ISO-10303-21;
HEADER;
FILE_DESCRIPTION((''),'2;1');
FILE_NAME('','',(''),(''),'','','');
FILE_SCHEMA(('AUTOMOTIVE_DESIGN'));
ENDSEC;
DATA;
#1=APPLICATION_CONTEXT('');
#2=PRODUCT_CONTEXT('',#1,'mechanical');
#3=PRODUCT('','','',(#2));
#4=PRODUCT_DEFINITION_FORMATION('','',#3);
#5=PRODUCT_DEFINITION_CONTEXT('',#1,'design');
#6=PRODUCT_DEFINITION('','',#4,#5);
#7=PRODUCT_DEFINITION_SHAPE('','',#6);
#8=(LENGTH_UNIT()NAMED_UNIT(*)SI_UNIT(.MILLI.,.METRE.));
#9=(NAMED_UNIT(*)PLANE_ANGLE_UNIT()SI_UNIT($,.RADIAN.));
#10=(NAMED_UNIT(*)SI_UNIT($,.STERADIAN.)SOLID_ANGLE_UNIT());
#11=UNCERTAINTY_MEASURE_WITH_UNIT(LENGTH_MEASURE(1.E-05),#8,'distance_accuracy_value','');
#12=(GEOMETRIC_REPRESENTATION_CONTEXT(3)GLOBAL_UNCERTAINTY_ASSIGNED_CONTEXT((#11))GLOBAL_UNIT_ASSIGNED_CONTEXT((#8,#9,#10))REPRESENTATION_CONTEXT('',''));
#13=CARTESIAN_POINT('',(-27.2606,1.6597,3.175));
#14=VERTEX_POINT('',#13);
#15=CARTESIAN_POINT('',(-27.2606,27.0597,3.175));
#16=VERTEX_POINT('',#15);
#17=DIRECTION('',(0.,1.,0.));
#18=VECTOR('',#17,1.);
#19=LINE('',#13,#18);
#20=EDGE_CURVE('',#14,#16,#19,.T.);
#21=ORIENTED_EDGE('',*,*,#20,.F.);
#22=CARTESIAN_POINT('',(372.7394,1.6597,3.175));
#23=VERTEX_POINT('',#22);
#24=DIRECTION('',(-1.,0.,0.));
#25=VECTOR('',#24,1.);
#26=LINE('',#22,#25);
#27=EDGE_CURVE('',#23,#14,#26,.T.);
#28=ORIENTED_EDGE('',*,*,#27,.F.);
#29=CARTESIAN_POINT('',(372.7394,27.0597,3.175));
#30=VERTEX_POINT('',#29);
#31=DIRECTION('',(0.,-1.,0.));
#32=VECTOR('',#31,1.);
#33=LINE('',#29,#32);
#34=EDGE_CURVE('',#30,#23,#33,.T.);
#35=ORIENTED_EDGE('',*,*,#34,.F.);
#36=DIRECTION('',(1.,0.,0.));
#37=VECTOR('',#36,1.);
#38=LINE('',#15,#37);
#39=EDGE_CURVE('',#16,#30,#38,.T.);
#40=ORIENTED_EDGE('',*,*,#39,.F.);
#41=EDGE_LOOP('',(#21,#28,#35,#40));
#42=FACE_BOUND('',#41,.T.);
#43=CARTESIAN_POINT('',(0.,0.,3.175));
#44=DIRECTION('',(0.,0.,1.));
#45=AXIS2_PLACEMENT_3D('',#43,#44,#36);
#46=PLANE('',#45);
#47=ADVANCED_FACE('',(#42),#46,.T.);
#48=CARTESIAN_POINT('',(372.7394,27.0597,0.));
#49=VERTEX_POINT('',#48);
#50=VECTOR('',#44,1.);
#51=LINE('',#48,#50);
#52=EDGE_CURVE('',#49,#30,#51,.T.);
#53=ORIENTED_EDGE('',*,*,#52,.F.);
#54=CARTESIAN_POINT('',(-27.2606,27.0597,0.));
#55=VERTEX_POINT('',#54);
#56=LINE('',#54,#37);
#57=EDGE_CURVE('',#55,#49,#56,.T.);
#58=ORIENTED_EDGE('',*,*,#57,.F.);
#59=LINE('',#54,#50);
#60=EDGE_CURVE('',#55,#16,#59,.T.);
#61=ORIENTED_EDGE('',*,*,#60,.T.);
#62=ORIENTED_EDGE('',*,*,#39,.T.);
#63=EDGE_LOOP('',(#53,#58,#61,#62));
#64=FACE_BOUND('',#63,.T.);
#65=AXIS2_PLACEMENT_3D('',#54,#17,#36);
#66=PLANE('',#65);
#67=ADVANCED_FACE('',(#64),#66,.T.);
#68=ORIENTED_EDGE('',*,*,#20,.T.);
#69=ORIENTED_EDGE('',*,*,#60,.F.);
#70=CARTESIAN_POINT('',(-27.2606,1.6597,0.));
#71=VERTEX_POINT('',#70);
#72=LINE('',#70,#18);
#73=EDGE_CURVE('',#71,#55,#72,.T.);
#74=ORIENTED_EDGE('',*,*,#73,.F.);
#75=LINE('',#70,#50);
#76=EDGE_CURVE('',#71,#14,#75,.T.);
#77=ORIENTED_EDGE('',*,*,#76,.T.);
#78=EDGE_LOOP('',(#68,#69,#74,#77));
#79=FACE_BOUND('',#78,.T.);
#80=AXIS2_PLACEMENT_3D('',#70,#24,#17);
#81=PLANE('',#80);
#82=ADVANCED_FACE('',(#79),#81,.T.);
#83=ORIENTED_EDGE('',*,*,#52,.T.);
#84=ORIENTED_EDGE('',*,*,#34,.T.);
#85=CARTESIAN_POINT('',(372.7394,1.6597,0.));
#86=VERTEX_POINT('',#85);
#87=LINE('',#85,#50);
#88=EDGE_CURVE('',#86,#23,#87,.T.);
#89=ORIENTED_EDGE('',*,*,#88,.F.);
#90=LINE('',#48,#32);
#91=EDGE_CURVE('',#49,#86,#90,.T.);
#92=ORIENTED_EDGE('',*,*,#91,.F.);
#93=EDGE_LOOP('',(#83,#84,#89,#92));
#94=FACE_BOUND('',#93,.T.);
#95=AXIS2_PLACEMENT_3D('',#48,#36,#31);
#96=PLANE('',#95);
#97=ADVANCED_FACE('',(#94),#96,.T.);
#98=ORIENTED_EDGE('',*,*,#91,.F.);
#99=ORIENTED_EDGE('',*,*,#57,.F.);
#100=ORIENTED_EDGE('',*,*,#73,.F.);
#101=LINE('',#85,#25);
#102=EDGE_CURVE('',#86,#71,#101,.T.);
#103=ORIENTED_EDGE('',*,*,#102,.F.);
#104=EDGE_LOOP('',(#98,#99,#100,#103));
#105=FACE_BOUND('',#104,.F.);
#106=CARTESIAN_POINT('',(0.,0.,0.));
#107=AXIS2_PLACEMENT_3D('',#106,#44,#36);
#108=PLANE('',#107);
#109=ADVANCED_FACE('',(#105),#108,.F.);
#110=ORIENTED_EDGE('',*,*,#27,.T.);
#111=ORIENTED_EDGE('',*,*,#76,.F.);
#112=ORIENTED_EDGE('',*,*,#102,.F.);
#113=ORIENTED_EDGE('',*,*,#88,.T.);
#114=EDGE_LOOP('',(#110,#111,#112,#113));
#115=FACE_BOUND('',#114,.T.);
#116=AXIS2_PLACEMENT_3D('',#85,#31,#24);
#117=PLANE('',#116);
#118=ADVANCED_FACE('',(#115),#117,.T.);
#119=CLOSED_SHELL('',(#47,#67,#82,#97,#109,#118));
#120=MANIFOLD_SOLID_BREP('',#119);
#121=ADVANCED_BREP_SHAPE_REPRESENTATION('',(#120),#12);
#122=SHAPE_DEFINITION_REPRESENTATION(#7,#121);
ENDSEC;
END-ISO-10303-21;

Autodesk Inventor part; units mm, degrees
ref_plane "YZ Plane" through (0, 0, 0) normal (1, 0, 0) x (0, 1, 0)
ref_plane "XZ Plane" through (0, 0, 0) normal (0, 1, 0) x (-1, 0, 0)
ref_plane "XY Plane" through (0, 0, 0) normal (0, 0, 1) x (1, 0, 0)
sketch "Sketch1" plane through (0, 0, 0) normal (0, 0, 1) x (1, 0, 0)
  line L0 (-27.2606, 27.0597) -> (372.7394, 27.0597)
  line L1 (372.7394, 27.0597) -> (372.7394, 1.6597)
  line L2 (372.7394, 1.6597) -> (-27.2606, 1.6597)
  line L3 (-27.2606, 1.6597) -> (-27.2606, 27.0597)
  point P0 (0, 0)
  dimension "d0" = 400
  dimension "d1" = 25.4
extrude "Extrusion1" add sketch "Sketch1" along normal blind 3.175
properties part number "aluminum2"
